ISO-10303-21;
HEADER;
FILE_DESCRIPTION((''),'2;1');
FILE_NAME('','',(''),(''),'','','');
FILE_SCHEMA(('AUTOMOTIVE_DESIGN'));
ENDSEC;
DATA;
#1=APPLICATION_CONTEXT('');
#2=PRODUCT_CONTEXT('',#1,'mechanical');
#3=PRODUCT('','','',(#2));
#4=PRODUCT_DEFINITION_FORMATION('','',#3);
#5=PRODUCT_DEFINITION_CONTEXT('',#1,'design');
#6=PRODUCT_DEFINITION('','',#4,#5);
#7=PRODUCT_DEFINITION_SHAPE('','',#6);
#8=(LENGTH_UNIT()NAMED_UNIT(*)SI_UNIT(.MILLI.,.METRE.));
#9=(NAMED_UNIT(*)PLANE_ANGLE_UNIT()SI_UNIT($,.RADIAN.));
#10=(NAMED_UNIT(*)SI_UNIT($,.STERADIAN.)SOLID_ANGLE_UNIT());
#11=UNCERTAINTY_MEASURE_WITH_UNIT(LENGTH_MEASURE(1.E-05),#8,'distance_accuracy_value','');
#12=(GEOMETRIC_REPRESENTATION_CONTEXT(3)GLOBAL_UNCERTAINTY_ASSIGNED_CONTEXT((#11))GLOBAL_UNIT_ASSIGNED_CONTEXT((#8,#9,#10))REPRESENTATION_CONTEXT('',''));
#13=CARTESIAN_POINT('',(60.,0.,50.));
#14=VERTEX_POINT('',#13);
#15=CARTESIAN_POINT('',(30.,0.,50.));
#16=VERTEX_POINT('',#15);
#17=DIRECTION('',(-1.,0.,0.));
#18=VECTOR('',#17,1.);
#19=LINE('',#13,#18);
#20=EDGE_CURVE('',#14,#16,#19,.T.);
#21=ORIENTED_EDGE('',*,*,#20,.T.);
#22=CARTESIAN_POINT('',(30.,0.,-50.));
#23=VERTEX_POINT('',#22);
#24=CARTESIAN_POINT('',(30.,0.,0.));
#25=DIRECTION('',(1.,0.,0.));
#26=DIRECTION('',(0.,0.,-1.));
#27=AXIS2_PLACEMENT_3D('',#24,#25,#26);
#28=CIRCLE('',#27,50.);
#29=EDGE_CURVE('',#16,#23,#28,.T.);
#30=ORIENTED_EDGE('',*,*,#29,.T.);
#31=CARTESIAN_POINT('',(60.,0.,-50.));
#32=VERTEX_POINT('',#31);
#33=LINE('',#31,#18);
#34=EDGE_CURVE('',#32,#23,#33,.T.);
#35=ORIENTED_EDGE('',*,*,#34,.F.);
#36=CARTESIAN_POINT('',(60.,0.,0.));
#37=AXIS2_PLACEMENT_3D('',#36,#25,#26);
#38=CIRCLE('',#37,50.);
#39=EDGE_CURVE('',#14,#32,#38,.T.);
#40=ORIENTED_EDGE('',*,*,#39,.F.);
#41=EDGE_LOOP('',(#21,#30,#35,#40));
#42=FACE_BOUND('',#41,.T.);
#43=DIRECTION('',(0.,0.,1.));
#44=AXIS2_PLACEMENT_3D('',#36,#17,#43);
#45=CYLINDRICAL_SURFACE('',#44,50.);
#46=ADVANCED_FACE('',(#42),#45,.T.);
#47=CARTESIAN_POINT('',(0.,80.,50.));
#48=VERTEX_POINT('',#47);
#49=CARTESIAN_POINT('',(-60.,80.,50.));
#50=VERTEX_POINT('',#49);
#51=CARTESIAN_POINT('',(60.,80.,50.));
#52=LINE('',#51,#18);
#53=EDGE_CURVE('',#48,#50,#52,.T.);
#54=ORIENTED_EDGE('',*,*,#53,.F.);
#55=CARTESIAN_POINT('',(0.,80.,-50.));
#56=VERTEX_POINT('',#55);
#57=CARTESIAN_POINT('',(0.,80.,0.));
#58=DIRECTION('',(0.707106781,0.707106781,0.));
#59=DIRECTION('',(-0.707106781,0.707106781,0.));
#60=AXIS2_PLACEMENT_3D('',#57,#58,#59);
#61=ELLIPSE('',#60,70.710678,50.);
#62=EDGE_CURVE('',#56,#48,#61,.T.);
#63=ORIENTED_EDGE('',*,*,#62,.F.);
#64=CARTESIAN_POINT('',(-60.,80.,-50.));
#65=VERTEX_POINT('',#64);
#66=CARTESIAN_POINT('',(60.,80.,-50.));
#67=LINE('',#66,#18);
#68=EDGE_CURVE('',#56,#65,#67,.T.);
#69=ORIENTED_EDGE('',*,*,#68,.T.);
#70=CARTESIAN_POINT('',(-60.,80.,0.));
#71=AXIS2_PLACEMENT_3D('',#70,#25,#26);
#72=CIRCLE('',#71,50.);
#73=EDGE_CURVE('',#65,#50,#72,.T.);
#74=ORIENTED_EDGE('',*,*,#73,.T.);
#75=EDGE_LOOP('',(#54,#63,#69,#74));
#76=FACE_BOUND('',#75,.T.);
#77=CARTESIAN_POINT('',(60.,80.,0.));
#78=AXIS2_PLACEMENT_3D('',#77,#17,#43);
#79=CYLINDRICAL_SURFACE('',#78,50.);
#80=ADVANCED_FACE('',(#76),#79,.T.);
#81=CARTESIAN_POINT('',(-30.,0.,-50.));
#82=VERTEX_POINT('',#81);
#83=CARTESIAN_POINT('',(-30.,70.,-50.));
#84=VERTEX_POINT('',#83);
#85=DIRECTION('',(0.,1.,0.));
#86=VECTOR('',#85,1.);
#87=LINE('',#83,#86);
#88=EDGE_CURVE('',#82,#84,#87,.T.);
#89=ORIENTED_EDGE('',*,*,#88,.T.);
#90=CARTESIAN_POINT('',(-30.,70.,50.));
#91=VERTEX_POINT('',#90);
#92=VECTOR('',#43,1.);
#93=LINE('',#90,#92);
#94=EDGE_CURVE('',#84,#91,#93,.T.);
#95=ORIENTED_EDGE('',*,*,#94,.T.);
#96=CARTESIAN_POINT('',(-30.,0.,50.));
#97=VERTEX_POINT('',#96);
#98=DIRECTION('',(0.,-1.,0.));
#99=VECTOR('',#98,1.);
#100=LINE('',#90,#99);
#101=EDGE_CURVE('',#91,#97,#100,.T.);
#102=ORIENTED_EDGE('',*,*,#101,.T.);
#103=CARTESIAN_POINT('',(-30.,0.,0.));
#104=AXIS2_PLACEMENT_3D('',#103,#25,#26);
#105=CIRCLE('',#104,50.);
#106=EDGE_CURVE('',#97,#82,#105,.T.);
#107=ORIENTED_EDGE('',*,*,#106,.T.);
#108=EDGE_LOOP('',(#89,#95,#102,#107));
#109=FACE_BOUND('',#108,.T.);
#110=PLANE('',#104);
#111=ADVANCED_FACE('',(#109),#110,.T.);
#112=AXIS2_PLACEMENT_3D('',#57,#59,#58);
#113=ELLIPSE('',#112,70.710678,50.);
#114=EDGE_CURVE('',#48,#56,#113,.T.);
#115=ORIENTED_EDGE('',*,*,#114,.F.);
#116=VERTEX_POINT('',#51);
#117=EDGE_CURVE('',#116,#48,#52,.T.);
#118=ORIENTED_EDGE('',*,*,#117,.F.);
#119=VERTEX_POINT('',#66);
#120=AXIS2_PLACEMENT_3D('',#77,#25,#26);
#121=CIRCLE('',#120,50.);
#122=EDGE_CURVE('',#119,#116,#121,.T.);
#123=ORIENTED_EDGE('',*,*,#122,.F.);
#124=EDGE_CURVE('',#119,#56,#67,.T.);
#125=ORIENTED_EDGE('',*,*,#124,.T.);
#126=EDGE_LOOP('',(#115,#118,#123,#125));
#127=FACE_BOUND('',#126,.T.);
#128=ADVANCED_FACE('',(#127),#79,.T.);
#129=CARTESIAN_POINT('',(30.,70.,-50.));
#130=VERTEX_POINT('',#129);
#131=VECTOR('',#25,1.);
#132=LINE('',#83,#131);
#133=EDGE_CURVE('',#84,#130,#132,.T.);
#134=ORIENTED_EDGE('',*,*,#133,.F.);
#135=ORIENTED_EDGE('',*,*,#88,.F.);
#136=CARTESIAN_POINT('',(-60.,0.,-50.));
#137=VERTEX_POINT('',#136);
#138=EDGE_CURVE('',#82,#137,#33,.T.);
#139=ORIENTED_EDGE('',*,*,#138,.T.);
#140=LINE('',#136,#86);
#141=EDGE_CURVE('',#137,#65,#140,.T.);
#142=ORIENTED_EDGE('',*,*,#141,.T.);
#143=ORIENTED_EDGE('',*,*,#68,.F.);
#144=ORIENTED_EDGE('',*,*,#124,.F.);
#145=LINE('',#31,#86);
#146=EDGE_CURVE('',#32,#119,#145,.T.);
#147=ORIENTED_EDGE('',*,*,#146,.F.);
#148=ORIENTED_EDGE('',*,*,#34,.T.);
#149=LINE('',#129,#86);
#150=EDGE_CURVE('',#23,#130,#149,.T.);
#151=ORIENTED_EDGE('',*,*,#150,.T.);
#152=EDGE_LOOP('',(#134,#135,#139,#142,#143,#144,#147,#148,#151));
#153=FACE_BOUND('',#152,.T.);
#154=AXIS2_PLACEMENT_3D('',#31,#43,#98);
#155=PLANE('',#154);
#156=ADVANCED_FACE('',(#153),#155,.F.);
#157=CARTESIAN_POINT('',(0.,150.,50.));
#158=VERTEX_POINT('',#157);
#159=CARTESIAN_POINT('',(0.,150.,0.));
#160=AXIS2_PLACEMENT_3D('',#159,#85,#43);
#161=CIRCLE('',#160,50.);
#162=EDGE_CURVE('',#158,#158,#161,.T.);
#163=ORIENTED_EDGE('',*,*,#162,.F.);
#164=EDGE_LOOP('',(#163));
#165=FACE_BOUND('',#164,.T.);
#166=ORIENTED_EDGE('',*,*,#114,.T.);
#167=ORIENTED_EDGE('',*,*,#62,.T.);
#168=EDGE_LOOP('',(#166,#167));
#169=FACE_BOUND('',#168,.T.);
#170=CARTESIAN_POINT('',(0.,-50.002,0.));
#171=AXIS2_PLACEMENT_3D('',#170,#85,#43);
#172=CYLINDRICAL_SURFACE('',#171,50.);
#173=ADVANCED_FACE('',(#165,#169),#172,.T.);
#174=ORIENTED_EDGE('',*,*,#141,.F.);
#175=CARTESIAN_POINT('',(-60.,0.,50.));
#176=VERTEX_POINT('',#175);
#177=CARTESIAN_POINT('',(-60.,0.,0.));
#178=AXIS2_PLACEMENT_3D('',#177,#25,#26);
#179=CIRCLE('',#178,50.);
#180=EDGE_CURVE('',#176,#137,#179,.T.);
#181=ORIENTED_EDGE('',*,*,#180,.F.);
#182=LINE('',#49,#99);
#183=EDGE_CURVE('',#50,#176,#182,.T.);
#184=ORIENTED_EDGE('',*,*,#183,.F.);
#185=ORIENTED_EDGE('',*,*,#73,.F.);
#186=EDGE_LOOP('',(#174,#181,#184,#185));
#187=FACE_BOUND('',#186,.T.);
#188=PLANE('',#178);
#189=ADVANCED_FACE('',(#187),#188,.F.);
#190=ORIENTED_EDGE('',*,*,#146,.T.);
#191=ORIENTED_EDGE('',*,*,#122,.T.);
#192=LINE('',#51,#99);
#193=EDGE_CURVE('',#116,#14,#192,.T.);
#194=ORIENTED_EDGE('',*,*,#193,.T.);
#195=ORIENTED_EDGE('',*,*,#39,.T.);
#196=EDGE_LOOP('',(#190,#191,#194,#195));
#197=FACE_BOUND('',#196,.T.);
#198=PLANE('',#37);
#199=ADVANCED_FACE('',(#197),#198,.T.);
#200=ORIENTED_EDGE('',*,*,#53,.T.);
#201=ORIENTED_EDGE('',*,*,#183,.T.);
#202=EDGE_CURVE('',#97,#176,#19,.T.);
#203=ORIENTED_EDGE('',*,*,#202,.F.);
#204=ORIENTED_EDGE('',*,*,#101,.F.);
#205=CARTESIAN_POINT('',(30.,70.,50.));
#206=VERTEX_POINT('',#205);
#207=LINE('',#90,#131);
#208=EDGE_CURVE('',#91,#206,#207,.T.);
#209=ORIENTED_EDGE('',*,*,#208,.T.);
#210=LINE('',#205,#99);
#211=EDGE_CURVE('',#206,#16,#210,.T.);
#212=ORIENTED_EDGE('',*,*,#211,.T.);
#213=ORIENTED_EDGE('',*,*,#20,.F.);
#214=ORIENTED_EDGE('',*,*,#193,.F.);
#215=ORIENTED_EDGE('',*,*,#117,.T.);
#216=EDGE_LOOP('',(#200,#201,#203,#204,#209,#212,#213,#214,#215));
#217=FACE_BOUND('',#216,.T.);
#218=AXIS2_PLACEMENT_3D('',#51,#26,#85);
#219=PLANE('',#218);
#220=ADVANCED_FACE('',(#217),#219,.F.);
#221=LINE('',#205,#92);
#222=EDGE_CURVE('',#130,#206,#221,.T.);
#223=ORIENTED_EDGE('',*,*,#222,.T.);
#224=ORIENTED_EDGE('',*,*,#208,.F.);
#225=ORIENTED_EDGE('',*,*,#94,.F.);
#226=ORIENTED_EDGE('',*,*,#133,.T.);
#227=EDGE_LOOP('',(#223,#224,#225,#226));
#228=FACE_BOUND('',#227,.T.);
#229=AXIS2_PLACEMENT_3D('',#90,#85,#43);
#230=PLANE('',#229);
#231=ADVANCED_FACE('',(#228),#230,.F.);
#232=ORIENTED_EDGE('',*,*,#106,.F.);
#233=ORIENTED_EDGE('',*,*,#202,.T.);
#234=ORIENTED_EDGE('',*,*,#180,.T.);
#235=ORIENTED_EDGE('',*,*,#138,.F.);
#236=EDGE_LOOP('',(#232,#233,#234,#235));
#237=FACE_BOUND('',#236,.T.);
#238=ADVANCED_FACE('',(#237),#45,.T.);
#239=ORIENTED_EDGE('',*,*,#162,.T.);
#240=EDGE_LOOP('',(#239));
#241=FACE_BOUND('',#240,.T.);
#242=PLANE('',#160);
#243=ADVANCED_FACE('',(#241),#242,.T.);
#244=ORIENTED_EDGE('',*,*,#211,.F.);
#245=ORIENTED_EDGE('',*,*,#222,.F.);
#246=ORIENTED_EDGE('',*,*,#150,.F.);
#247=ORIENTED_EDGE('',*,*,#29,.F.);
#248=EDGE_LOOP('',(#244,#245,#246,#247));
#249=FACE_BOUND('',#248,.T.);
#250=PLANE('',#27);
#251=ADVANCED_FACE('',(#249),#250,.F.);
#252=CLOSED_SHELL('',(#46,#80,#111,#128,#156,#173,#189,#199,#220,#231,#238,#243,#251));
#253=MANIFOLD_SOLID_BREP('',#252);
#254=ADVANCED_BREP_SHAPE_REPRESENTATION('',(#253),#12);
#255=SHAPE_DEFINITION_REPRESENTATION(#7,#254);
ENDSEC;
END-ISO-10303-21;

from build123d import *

# Parameters (mm, degrees)
SALIENTE_EXTRUIR1_DEPTH      = 60
CORTAR_EXTRUIR1_DEPTH        = 30
SALIENTE_EXTRUIR2_REACH      = 216.709
SALIENTE_EXTRUIR2_END_RADIUS = 50
CROQUIS3_R                   = 50


with BuildPart() as part:
    # Croquis1 → Saliente-Extruir1 (new, symmetric)
    with BuildSketch(Plane(origin=(0, 0, 0), x_dir=(0, 0, -1), z_dir=(1, 0, 0))):
        with BuildLine():
            Line((-50, 80), (-50, 0))
            ThreePointArc((-50, 0), (0, -50), (50, 0))
            Line((50, 0), (50, 80))
            ThreePointArc((50, 80), (0, 130), (-50, 80))
        make_face()
    extrude(amount=SALIENTE_EXTRUIR1_DEPTH, both=True)

    # Croquis2 → Cortar-Extruir1 (cut, symmetric)
    with BuildSketch(Plane(origin=(0, 0, 0), x_dir=(0, 0, -1), z_dir=(1, 0, 0))):
        with BuildLine():
            Line((-50, 70), (50, 70))
            Line((50, 70), (50, 0))
            ThreePointArc((50, 0), (0, -50), (-50, 0))
            Line((-50, 0), (-50, 70))
        make_face()
    extrude(amount=CORTAR_EXTRUIR1_DEPTH, both=True, mode=Mode.SUBTRACT)

    # Saliente-Extruir2: up to this cylinder (the profile starts outside it)
    saliente_extruir2_end = Plane(origin=(0, 80, 0), z_dir=(-1, 0, 0)) * Cylinder(SALIENTE_EXTRUIR2_END_RADIUS, 534.418, mode=Mode.PRIVATE)
    # Croquis3 → Saliente-Extruir2 (add, up to the surface)
    with BuildSketch(Plane(origin=(0, 150, 0), x_dir=(1, 0, 0), z_dir=(0, 1, 0)), mode=Mode.PRIVATE) as saliente_extruir2_sk1:
        with Locations(Location((0, 0, 0), (0, 0, 270))):
            Circle(CROQUIS3_R)
    saliente_extruir2_tool1 = extrude(saliente_extruir2_sk1.sketch, amount=-SALIENTE_EXTRUIR2_REACH, mode=Mode.PRIVATE) - saliente_extruir2_end
    add(saliente_extruir2_tool1.solids().sort_by_distance((0, 150, 0))[0])


solid = part.part
